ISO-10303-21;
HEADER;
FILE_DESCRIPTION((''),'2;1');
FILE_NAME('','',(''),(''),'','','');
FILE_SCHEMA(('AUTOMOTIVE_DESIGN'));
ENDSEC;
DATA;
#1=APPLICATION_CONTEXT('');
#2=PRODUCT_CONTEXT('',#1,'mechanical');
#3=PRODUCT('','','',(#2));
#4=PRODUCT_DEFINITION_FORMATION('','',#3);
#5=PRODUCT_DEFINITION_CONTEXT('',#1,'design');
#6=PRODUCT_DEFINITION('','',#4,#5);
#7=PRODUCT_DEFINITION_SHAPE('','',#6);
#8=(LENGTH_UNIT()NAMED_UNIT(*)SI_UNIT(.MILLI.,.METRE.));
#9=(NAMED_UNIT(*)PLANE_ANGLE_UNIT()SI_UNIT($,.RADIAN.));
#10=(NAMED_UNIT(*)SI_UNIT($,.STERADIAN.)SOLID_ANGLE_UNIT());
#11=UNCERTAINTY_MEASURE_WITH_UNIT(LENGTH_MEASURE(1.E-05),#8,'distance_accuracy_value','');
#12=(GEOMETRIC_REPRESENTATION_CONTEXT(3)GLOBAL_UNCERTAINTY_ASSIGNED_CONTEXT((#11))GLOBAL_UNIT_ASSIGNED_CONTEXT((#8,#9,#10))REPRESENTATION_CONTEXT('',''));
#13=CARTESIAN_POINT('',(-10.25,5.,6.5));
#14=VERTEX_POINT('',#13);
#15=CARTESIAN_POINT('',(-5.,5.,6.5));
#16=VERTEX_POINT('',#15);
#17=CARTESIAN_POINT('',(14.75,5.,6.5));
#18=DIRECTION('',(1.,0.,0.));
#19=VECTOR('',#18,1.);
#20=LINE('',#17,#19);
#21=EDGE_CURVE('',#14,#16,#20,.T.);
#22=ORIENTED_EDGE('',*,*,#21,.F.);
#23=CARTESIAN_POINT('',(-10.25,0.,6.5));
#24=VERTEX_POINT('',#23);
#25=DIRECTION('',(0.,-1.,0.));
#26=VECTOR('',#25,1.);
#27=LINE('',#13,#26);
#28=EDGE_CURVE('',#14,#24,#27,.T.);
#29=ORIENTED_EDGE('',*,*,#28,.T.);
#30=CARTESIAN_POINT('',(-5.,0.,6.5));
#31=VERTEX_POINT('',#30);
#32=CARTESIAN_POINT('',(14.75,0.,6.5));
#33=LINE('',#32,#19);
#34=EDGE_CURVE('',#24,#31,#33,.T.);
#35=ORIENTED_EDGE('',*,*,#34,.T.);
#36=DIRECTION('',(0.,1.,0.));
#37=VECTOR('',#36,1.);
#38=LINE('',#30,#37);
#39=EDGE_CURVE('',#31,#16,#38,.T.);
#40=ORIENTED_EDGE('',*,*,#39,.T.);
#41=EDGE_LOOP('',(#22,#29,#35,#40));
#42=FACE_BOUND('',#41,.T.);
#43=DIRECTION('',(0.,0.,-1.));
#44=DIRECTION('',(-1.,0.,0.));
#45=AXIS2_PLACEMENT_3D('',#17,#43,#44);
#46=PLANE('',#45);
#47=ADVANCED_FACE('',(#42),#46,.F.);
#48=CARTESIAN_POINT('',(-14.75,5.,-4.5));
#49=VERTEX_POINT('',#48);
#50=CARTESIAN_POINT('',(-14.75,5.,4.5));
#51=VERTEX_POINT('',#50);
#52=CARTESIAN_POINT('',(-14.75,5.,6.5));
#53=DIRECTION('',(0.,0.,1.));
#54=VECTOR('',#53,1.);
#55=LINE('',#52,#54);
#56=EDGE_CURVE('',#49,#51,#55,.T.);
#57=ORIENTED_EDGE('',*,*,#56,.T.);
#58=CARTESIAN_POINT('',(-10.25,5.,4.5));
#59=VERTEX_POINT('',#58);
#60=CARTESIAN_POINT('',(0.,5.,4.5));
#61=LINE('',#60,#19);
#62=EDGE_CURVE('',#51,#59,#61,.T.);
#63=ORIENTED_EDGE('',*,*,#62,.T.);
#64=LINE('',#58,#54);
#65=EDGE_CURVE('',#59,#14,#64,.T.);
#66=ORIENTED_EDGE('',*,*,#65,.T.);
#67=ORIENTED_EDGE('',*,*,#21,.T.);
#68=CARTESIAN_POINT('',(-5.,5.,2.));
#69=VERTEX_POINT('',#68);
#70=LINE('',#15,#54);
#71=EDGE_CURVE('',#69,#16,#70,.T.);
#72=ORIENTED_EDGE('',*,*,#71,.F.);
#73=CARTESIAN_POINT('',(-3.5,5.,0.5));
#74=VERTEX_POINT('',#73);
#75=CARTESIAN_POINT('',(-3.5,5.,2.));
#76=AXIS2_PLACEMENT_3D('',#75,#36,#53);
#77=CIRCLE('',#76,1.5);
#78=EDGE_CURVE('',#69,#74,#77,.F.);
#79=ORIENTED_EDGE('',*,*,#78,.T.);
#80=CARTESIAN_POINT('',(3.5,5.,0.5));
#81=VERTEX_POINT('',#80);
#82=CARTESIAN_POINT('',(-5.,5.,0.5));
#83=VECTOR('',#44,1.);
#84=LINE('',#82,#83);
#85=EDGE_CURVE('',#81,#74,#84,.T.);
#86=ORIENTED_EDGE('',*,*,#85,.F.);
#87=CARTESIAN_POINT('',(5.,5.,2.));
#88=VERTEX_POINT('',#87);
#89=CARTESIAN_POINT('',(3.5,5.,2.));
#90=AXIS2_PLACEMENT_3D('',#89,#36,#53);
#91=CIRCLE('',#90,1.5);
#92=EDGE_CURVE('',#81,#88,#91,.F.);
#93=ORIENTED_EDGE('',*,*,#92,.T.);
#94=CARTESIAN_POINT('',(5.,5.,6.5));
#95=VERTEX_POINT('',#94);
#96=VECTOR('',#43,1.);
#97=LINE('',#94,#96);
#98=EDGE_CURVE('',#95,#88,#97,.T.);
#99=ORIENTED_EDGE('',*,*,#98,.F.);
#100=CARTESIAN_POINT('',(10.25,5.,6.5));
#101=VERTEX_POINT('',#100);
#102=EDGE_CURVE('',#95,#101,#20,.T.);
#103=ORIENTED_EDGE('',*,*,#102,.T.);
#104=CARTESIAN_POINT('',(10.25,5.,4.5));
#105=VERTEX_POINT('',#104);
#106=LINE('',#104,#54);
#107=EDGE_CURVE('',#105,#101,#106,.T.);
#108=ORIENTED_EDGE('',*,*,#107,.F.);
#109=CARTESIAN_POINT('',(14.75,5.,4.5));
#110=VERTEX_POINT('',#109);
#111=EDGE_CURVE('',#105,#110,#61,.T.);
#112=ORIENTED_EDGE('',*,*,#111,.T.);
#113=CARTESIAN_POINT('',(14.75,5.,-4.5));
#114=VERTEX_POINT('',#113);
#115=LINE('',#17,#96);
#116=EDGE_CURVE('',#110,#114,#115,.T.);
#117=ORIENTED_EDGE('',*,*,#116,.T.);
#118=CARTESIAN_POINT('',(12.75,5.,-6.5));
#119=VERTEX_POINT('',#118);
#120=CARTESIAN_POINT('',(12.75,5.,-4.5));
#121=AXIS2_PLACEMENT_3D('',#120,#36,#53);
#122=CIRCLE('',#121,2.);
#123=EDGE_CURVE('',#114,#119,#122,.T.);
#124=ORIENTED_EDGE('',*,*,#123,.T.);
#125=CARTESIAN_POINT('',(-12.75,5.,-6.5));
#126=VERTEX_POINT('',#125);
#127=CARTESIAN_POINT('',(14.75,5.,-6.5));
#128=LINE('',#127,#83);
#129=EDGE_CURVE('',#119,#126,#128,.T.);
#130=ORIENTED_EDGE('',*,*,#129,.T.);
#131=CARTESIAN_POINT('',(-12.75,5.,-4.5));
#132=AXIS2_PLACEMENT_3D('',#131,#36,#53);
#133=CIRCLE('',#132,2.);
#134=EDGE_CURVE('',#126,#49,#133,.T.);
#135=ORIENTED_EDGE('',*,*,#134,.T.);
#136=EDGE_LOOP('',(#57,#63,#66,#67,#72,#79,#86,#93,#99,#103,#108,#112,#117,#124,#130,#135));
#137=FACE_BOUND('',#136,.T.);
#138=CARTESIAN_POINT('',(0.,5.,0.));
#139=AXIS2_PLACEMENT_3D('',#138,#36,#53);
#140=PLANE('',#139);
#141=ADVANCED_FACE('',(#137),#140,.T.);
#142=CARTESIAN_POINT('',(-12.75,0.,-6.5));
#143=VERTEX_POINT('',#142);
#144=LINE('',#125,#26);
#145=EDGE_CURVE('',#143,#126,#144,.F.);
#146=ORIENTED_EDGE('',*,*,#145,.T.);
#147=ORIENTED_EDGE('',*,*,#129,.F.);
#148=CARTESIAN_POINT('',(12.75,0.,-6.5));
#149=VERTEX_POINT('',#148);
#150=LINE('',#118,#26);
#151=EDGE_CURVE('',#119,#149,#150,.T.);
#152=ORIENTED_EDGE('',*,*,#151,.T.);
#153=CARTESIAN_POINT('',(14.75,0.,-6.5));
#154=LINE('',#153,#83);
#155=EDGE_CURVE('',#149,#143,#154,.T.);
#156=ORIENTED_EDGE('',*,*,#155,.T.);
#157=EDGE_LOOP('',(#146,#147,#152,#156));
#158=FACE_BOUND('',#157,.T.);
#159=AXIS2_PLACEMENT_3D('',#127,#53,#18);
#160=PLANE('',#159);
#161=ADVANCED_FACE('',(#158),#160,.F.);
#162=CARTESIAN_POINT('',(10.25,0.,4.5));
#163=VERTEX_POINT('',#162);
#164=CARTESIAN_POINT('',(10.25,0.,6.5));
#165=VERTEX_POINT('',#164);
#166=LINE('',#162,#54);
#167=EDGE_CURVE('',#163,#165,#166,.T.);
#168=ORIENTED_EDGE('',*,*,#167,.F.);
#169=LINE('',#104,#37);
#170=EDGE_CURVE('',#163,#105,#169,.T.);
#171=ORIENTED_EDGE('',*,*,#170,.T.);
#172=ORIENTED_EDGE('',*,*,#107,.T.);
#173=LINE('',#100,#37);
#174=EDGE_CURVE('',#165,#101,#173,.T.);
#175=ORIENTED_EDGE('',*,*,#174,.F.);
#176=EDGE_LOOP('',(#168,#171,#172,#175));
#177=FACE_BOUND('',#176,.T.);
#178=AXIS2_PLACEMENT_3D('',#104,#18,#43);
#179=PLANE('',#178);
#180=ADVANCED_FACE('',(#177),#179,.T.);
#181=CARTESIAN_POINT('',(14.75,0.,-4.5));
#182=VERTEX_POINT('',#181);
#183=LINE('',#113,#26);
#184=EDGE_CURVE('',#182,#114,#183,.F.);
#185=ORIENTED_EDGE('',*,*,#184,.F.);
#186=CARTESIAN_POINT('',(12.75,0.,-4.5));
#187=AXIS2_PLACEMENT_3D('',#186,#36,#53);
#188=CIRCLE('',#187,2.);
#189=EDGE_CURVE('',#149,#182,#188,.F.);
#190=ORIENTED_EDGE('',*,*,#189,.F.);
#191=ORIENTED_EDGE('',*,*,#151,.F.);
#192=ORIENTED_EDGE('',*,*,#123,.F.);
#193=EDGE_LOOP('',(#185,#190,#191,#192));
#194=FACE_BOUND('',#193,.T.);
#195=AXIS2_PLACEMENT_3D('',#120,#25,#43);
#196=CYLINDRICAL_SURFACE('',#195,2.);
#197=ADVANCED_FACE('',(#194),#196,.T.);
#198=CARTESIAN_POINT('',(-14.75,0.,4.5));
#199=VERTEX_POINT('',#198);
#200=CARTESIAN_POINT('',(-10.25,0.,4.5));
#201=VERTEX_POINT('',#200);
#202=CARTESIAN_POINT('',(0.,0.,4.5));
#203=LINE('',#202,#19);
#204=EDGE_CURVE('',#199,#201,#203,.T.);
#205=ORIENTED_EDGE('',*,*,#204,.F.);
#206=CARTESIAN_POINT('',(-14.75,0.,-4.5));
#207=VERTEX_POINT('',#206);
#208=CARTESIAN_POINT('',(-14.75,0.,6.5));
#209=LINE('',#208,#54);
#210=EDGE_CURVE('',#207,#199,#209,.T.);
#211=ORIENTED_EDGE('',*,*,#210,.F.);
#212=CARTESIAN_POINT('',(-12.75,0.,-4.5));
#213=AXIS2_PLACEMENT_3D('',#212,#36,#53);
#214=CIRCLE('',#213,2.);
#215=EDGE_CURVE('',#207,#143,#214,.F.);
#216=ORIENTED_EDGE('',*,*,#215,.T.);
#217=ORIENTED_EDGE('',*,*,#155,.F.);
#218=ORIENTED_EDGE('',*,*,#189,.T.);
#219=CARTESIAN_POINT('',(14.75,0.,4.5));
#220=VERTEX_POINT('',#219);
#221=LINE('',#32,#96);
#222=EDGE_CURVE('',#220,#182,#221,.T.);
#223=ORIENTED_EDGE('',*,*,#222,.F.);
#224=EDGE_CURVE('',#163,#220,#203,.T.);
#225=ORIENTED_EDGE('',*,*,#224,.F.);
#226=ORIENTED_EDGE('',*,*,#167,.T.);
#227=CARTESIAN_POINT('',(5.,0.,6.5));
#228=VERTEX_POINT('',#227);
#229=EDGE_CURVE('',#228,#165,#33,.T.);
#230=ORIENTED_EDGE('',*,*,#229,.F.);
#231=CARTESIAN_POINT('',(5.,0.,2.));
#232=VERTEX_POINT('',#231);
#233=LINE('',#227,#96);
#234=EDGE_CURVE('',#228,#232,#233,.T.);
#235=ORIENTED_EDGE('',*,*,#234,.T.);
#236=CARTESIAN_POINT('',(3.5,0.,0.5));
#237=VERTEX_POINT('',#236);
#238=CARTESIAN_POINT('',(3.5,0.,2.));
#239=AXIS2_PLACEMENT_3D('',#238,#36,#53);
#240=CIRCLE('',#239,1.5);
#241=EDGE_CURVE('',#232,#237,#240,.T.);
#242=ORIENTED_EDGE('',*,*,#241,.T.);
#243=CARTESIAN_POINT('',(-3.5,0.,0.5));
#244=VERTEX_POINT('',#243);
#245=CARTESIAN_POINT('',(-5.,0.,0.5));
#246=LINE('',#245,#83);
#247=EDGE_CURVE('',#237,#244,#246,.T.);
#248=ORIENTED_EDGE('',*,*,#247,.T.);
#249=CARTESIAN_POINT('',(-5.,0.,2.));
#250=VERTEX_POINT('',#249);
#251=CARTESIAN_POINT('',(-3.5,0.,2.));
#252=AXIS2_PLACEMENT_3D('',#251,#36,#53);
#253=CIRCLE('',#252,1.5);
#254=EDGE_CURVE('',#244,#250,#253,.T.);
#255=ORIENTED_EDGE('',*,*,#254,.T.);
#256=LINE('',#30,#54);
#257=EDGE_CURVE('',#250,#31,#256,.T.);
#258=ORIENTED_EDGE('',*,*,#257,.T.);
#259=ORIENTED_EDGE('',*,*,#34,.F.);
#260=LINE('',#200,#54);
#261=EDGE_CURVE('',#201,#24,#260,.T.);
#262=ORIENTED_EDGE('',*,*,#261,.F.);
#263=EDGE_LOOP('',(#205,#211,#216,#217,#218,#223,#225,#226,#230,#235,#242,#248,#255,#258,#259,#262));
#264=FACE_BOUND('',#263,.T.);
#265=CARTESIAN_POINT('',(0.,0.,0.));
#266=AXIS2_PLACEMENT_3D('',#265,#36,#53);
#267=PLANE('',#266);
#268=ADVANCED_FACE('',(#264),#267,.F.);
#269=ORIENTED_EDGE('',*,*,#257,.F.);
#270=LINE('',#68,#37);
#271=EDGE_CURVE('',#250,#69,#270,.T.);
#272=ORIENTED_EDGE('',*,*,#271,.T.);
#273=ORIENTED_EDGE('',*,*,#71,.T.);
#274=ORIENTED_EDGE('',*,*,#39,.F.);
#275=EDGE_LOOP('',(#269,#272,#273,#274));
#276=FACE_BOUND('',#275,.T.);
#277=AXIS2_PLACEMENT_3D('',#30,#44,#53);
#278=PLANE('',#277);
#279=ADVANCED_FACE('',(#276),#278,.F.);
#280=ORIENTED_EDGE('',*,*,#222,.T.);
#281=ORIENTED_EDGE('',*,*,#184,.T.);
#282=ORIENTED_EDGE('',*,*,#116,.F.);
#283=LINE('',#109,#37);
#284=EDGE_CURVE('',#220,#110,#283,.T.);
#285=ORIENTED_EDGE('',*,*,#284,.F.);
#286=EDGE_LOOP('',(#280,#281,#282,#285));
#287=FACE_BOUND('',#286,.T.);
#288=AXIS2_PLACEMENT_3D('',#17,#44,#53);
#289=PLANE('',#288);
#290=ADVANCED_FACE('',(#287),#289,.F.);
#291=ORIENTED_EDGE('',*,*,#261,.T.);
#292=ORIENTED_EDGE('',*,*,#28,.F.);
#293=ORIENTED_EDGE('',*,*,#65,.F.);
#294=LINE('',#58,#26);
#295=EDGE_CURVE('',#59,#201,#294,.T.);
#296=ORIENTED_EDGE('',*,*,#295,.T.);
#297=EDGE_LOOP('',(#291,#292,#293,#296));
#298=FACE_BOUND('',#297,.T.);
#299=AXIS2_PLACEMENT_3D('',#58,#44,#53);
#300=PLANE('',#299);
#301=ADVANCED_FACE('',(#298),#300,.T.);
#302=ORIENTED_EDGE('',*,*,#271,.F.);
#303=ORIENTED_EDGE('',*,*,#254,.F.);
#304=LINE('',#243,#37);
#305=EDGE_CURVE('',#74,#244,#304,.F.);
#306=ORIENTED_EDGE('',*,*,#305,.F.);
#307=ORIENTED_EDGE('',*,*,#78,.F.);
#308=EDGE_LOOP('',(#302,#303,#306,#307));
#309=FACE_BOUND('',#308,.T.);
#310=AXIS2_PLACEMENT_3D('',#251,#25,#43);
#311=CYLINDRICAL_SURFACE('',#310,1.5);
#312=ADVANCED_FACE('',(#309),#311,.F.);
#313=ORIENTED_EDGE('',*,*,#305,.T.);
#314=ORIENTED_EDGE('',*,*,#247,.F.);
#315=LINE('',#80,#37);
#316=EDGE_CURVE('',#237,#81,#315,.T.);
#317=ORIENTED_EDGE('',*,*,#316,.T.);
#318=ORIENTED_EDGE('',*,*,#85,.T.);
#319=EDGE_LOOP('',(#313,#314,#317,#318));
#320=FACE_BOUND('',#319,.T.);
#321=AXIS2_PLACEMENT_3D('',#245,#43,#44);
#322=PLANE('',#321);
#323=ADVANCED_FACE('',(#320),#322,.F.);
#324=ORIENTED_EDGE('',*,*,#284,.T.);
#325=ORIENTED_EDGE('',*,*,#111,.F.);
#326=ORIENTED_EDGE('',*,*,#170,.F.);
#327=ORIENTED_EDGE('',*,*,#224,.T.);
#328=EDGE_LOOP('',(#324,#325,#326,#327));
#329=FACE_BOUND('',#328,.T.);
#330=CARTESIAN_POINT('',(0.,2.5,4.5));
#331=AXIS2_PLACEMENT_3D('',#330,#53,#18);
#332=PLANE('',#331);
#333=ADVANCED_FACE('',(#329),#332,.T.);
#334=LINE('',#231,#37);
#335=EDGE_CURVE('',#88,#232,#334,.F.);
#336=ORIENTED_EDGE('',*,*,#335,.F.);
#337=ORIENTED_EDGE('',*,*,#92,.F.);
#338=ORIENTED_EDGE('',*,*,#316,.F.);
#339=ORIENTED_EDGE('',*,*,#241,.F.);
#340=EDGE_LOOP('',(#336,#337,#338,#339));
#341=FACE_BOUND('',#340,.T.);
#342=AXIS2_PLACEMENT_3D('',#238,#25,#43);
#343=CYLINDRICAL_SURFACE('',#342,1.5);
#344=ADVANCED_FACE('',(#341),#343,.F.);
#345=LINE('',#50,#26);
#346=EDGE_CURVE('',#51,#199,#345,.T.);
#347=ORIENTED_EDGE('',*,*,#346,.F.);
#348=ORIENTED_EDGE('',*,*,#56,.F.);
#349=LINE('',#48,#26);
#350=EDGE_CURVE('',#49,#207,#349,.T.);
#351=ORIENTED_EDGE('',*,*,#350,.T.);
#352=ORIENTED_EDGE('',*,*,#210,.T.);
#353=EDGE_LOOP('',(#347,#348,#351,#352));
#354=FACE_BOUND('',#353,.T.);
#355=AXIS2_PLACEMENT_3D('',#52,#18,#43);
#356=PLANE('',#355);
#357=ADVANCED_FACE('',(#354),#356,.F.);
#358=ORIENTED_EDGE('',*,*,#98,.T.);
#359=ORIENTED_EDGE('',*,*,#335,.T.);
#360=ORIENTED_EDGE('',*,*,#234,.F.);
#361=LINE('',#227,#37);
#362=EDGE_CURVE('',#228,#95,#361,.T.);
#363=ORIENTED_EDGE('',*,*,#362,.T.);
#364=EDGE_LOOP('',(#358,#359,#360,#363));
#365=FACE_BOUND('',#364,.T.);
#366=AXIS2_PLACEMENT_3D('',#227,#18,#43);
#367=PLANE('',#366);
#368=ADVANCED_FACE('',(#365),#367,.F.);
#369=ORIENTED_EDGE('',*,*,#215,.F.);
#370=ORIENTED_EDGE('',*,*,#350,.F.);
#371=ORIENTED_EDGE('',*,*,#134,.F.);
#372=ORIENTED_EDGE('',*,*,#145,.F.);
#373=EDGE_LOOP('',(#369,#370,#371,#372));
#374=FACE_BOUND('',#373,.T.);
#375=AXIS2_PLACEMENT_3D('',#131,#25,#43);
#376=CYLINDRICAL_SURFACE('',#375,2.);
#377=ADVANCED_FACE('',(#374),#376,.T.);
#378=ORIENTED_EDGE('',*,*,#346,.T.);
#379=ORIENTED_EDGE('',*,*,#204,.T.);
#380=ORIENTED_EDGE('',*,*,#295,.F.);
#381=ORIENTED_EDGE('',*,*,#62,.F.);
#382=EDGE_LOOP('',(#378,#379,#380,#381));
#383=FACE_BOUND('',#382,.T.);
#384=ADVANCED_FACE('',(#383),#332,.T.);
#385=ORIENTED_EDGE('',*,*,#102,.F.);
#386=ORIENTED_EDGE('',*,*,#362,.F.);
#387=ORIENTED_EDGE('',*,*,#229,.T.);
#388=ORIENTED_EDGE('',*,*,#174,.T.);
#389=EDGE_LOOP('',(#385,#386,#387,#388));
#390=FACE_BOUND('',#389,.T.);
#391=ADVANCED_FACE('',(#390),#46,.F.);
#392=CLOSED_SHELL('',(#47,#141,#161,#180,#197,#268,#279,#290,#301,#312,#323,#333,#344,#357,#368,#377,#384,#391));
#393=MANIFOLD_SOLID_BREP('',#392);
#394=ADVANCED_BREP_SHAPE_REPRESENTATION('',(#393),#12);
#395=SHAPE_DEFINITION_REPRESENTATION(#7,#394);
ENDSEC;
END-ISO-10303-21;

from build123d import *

# Parameters (mm, degrees)
SKETCH1_W           = 29.5
SKETCH1_H           = 13
BOSS_EXTRUDE1_DEPTH = 5
SKETCH2_W           = 10
SKETCH2_H           = 6
CUT_EXTRUDE1_DEPTH  = 6
FILLET1_R           = 2
FILLET2_R           = 1.5
SKETCH3_OUTSIDE_W   = 38.024
SKETCH3_OUTSIDE_H   = 13.524
SKETCH3_OUTSIDE_W_2 = 20.5
SKETCH3_OUTSIDE_H_2 = 5
CUT_EXTRUDE2_DEPTH  = 2


with BuildPart() as part:
    # Sketch1 → Boss-Extrude1 (new body)
    with BuildSketch(Plane(origin=(0, 0, 0), x_dir=(1, 0, 0), z_dir=(0, 1, 0))):
        Rectangle(SKETCH1_W, SKETCH1_H)
    extrude(amount=BOSS_EXTRUDE1_DEPTH)

    # Sketch2 → Cut-Extrude1 (cut, through all)
    with BuildSketch(Plane(origin=(0, 5, 0), x_dir=(1, 0, 0), z_dir=(0, 1, 0))):
        with Locations((0, -3.5)):
            Rectangle(SKETCH2_W, SKETCH2_H)
    extrude(amount=-CUT_EXTRUDE1_DEPTH, mode=Mode.SUBTRACT)

    # Fillet1
    fillet1_edges = [part.edges().sort_by_distance(p)[0] for p in [
        (-14.75, 2.5, -6.5),
        (14.75, 2.5, -6.5),
    ]]
    fillet(fillet1_edges, radius=FILLET1_R)

    # Fillet2
    fillet2_edges = [part.edges().sort_by_distance(p)[0] for p in [
        (-5, 2.5, 0.5),
        (5, 2.5, 0.5),
    ]]
    fillet(fillet2_edges, radius=FILLET2_R)

    # Sketch3 outside → Cut-Extrude2 (cut)
    with BuildSketch(Plane.XY.offset(6.5)):
        with Locations((0, 2.5)):
            Rectangle(SKETCH3_OUTSIDE_W, SKETCH3_OUTSIDE_H)
        with Locations((0, 2.5)):
            Rectangle(SKETCH3_OUTSIDE_W_2, SKETCH3_OUTSIDE_H_2, mode=Mode.SUBTRACT)
    extrude(amount=-CUT_EXTRUDE2_DEPTH, mode=Mode.SUBTRACT)


solid = part.part
